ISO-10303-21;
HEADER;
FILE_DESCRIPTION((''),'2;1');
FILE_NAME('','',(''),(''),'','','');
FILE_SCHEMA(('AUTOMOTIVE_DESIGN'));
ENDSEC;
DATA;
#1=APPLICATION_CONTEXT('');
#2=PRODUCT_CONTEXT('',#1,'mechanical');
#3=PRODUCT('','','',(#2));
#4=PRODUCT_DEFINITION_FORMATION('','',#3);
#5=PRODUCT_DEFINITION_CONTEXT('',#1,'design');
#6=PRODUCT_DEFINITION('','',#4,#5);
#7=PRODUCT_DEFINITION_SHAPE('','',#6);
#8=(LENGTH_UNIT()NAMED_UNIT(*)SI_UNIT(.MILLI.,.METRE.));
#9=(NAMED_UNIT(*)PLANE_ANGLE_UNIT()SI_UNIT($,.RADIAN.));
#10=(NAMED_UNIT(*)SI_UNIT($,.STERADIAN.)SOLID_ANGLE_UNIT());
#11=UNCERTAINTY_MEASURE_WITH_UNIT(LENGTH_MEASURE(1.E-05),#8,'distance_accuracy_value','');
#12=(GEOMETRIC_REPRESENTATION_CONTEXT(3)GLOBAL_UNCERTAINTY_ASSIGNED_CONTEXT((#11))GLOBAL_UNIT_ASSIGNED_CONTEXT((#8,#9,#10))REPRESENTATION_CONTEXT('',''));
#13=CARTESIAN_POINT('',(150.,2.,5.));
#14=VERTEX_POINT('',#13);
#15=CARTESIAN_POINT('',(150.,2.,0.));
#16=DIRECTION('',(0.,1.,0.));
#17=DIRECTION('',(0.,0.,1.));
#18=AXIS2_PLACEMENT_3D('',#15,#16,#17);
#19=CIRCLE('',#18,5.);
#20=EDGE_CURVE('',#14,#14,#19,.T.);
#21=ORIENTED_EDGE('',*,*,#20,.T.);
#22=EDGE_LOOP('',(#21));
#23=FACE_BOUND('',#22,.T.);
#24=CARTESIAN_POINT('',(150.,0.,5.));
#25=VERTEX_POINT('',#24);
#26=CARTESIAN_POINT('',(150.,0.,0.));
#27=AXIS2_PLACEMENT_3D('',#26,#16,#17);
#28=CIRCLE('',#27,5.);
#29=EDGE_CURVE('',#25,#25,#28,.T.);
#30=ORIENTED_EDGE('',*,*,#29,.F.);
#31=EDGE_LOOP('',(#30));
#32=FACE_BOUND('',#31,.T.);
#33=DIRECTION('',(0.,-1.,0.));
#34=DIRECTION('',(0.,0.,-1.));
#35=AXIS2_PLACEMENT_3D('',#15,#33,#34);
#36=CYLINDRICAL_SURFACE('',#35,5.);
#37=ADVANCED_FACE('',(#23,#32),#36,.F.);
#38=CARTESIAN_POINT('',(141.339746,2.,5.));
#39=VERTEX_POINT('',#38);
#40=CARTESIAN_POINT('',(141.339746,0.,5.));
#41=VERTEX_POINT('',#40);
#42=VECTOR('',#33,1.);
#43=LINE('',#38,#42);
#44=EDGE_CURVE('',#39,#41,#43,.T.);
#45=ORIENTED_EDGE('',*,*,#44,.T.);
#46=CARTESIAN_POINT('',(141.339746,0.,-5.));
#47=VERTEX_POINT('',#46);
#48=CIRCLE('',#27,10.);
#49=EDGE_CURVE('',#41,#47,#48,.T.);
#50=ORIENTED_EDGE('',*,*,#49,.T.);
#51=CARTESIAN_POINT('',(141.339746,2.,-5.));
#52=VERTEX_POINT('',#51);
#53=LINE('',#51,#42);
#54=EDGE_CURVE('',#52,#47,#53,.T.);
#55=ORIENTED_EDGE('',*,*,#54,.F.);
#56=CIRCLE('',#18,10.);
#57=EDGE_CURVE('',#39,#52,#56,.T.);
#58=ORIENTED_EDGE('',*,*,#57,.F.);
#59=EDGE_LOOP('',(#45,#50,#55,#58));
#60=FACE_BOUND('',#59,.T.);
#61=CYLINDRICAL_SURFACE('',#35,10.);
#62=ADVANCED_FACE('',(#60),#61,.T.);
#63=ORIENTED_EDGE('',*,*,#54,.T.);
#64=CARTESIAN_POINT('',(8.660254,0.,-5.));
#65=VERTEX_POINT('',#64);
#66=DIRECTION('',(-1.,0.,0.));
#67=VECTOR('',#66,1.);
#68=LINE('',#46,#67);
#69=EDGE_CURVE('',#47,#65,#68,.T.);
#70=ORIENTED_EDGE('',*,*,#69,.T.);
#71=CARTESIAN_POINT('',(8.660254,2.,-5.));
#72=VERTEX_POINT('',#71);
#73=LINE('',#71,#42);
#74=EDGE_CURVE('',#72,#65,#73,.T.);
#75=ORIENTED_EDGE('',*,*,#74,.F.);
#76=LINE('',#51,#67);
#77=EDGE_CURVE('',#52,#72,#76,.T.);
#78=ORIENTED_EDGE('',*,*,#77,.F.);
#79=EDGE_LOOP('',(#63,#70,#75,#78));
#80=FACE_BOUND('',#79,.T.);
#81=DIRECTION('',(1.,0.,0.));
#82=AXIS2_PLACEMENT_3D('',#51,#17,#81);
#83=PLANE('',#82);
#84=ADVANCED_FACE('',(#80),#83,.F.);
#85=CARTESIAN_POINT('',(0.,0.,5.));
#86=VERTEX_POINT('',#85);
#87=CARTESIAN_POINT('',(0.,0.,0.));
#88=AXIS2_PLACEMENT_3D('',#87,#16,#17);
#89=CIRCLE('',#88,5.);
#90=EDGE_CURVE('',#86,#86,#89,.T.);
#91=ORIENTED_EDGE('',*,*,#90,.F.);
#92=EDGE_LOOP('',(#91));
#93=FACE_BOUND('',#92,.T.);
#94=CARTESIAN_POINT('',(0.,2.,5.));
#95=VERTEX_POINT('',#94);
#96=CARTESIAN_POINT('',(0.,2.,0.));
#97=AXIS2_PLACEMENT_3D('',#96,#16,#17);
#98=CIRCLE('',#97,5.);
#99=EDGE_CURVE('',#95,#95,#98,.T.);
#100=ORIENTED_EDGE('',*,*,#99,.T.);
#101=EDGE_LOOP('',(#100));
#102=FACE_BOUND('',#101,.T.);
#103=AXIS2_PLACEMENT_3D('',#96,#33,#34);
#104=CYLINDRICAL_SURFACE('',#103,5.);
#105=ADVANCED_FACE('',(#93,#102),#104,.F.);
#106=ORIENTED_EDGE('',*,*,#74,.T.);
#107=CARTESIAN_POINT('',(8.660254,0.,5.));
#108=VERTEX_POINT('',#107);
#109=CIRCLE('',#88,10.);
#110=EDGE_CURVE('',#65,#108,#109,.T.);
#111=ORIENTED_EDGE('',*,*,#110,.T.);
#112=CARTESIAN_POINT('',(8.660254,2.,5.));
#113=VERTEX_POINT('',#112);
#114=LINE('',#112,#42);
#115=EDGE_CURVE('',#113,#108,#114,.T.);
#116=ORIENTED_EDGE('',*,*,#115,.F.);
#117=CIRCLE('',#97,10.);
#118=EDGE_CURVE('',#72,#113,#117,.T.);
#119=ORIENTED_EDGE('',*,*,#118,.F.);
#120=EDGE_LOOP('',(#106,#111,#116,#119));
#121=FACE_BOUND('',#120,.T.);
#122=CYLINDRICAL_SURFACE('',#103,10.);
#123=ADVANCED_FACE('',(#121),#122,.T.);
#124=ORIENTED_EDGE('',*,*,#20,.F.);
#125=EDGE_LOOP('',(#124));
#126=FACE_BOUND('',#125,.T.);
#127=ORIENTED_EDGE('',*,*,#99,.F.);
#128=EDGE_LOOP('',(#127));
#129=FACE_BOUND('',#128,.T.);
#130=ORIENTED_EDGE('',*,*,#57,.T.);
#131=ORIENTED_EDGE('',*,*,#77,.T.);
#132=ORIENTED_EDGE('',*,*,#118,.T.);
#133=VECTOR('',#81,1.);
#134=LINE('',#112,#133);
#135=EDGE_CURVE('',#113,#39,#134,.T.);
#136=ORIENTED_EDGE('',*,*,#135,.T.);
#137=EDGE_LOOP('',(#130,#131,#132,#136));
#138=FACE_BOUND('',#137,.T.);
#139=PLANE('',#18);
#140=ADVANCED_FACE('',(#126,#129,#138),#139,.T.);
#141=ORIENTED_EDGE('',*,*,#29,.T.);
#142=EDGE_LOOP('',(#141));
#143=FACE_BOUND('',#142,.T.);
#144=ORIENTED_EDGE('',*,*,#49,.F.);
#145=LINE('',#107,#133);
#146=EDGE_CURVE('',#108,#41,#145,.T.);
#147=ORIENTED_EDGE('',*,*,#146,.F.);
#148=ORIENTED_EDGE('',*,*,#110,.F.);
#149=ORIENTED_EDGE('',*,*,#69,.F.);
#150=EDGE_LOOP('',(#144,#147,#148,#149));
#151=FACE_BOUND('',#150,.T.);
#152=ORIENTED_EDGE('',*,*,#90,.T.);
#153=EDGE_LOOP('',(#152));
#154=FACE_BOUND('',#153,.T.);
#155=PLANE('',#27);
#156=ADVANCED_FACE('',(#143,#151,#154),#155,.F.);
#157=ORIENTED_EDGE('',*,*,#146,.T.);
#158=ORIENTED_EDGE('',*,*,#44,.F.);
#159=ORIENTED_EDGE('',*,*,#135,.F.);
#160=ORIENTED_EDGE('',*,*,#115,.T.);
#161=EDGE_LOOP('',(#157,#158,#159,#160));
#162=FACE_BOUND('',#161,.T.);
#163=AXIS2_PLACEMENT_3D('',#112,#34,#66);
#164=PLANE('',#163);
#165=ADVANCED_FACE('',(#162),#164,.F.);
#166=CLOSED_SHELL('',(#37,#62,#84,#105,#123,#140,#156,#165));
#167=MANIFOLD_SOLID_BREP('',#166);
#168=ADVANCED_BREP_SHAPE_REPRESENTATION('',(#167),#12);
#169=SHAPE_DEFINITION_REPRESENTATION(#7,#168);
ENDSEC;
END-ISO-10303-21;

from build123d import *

# Parameters (mm, degrees)
SKETCH_5_R      = 5
EXTRUDE_1_DEPTH = 2


with BuildPart() as part:
    # 草圖5 → 填料-伸長1 (new body)
    with BuildSketch(Plane(origin=(0, 0, 0), x_dir=(1, 0, 0), z_dir=(0, 1, 0))):
        with BuildLine():
            Line((8.660254038, -5), (141.339745962, -5))
            ThreePointArc((141.339745962, -5), (160, 0), (141.339745962, 5))
            Line((141.339745962, 5), (8.660254038, 5))
            ThreePointArc((8.660254038, 5), (-10, 0), (8.660254038, -5))
        make_face()
        Circle(SKETCH_5_R, mode=Mode.SUBTRACT)
        with Locations((150, 0)):
            Circle(SKETCH_5_R, mode=Mode.SUBTRACT)
    extrude(amount=EXTRUDE_1_DEPTH)


solid = part.part
